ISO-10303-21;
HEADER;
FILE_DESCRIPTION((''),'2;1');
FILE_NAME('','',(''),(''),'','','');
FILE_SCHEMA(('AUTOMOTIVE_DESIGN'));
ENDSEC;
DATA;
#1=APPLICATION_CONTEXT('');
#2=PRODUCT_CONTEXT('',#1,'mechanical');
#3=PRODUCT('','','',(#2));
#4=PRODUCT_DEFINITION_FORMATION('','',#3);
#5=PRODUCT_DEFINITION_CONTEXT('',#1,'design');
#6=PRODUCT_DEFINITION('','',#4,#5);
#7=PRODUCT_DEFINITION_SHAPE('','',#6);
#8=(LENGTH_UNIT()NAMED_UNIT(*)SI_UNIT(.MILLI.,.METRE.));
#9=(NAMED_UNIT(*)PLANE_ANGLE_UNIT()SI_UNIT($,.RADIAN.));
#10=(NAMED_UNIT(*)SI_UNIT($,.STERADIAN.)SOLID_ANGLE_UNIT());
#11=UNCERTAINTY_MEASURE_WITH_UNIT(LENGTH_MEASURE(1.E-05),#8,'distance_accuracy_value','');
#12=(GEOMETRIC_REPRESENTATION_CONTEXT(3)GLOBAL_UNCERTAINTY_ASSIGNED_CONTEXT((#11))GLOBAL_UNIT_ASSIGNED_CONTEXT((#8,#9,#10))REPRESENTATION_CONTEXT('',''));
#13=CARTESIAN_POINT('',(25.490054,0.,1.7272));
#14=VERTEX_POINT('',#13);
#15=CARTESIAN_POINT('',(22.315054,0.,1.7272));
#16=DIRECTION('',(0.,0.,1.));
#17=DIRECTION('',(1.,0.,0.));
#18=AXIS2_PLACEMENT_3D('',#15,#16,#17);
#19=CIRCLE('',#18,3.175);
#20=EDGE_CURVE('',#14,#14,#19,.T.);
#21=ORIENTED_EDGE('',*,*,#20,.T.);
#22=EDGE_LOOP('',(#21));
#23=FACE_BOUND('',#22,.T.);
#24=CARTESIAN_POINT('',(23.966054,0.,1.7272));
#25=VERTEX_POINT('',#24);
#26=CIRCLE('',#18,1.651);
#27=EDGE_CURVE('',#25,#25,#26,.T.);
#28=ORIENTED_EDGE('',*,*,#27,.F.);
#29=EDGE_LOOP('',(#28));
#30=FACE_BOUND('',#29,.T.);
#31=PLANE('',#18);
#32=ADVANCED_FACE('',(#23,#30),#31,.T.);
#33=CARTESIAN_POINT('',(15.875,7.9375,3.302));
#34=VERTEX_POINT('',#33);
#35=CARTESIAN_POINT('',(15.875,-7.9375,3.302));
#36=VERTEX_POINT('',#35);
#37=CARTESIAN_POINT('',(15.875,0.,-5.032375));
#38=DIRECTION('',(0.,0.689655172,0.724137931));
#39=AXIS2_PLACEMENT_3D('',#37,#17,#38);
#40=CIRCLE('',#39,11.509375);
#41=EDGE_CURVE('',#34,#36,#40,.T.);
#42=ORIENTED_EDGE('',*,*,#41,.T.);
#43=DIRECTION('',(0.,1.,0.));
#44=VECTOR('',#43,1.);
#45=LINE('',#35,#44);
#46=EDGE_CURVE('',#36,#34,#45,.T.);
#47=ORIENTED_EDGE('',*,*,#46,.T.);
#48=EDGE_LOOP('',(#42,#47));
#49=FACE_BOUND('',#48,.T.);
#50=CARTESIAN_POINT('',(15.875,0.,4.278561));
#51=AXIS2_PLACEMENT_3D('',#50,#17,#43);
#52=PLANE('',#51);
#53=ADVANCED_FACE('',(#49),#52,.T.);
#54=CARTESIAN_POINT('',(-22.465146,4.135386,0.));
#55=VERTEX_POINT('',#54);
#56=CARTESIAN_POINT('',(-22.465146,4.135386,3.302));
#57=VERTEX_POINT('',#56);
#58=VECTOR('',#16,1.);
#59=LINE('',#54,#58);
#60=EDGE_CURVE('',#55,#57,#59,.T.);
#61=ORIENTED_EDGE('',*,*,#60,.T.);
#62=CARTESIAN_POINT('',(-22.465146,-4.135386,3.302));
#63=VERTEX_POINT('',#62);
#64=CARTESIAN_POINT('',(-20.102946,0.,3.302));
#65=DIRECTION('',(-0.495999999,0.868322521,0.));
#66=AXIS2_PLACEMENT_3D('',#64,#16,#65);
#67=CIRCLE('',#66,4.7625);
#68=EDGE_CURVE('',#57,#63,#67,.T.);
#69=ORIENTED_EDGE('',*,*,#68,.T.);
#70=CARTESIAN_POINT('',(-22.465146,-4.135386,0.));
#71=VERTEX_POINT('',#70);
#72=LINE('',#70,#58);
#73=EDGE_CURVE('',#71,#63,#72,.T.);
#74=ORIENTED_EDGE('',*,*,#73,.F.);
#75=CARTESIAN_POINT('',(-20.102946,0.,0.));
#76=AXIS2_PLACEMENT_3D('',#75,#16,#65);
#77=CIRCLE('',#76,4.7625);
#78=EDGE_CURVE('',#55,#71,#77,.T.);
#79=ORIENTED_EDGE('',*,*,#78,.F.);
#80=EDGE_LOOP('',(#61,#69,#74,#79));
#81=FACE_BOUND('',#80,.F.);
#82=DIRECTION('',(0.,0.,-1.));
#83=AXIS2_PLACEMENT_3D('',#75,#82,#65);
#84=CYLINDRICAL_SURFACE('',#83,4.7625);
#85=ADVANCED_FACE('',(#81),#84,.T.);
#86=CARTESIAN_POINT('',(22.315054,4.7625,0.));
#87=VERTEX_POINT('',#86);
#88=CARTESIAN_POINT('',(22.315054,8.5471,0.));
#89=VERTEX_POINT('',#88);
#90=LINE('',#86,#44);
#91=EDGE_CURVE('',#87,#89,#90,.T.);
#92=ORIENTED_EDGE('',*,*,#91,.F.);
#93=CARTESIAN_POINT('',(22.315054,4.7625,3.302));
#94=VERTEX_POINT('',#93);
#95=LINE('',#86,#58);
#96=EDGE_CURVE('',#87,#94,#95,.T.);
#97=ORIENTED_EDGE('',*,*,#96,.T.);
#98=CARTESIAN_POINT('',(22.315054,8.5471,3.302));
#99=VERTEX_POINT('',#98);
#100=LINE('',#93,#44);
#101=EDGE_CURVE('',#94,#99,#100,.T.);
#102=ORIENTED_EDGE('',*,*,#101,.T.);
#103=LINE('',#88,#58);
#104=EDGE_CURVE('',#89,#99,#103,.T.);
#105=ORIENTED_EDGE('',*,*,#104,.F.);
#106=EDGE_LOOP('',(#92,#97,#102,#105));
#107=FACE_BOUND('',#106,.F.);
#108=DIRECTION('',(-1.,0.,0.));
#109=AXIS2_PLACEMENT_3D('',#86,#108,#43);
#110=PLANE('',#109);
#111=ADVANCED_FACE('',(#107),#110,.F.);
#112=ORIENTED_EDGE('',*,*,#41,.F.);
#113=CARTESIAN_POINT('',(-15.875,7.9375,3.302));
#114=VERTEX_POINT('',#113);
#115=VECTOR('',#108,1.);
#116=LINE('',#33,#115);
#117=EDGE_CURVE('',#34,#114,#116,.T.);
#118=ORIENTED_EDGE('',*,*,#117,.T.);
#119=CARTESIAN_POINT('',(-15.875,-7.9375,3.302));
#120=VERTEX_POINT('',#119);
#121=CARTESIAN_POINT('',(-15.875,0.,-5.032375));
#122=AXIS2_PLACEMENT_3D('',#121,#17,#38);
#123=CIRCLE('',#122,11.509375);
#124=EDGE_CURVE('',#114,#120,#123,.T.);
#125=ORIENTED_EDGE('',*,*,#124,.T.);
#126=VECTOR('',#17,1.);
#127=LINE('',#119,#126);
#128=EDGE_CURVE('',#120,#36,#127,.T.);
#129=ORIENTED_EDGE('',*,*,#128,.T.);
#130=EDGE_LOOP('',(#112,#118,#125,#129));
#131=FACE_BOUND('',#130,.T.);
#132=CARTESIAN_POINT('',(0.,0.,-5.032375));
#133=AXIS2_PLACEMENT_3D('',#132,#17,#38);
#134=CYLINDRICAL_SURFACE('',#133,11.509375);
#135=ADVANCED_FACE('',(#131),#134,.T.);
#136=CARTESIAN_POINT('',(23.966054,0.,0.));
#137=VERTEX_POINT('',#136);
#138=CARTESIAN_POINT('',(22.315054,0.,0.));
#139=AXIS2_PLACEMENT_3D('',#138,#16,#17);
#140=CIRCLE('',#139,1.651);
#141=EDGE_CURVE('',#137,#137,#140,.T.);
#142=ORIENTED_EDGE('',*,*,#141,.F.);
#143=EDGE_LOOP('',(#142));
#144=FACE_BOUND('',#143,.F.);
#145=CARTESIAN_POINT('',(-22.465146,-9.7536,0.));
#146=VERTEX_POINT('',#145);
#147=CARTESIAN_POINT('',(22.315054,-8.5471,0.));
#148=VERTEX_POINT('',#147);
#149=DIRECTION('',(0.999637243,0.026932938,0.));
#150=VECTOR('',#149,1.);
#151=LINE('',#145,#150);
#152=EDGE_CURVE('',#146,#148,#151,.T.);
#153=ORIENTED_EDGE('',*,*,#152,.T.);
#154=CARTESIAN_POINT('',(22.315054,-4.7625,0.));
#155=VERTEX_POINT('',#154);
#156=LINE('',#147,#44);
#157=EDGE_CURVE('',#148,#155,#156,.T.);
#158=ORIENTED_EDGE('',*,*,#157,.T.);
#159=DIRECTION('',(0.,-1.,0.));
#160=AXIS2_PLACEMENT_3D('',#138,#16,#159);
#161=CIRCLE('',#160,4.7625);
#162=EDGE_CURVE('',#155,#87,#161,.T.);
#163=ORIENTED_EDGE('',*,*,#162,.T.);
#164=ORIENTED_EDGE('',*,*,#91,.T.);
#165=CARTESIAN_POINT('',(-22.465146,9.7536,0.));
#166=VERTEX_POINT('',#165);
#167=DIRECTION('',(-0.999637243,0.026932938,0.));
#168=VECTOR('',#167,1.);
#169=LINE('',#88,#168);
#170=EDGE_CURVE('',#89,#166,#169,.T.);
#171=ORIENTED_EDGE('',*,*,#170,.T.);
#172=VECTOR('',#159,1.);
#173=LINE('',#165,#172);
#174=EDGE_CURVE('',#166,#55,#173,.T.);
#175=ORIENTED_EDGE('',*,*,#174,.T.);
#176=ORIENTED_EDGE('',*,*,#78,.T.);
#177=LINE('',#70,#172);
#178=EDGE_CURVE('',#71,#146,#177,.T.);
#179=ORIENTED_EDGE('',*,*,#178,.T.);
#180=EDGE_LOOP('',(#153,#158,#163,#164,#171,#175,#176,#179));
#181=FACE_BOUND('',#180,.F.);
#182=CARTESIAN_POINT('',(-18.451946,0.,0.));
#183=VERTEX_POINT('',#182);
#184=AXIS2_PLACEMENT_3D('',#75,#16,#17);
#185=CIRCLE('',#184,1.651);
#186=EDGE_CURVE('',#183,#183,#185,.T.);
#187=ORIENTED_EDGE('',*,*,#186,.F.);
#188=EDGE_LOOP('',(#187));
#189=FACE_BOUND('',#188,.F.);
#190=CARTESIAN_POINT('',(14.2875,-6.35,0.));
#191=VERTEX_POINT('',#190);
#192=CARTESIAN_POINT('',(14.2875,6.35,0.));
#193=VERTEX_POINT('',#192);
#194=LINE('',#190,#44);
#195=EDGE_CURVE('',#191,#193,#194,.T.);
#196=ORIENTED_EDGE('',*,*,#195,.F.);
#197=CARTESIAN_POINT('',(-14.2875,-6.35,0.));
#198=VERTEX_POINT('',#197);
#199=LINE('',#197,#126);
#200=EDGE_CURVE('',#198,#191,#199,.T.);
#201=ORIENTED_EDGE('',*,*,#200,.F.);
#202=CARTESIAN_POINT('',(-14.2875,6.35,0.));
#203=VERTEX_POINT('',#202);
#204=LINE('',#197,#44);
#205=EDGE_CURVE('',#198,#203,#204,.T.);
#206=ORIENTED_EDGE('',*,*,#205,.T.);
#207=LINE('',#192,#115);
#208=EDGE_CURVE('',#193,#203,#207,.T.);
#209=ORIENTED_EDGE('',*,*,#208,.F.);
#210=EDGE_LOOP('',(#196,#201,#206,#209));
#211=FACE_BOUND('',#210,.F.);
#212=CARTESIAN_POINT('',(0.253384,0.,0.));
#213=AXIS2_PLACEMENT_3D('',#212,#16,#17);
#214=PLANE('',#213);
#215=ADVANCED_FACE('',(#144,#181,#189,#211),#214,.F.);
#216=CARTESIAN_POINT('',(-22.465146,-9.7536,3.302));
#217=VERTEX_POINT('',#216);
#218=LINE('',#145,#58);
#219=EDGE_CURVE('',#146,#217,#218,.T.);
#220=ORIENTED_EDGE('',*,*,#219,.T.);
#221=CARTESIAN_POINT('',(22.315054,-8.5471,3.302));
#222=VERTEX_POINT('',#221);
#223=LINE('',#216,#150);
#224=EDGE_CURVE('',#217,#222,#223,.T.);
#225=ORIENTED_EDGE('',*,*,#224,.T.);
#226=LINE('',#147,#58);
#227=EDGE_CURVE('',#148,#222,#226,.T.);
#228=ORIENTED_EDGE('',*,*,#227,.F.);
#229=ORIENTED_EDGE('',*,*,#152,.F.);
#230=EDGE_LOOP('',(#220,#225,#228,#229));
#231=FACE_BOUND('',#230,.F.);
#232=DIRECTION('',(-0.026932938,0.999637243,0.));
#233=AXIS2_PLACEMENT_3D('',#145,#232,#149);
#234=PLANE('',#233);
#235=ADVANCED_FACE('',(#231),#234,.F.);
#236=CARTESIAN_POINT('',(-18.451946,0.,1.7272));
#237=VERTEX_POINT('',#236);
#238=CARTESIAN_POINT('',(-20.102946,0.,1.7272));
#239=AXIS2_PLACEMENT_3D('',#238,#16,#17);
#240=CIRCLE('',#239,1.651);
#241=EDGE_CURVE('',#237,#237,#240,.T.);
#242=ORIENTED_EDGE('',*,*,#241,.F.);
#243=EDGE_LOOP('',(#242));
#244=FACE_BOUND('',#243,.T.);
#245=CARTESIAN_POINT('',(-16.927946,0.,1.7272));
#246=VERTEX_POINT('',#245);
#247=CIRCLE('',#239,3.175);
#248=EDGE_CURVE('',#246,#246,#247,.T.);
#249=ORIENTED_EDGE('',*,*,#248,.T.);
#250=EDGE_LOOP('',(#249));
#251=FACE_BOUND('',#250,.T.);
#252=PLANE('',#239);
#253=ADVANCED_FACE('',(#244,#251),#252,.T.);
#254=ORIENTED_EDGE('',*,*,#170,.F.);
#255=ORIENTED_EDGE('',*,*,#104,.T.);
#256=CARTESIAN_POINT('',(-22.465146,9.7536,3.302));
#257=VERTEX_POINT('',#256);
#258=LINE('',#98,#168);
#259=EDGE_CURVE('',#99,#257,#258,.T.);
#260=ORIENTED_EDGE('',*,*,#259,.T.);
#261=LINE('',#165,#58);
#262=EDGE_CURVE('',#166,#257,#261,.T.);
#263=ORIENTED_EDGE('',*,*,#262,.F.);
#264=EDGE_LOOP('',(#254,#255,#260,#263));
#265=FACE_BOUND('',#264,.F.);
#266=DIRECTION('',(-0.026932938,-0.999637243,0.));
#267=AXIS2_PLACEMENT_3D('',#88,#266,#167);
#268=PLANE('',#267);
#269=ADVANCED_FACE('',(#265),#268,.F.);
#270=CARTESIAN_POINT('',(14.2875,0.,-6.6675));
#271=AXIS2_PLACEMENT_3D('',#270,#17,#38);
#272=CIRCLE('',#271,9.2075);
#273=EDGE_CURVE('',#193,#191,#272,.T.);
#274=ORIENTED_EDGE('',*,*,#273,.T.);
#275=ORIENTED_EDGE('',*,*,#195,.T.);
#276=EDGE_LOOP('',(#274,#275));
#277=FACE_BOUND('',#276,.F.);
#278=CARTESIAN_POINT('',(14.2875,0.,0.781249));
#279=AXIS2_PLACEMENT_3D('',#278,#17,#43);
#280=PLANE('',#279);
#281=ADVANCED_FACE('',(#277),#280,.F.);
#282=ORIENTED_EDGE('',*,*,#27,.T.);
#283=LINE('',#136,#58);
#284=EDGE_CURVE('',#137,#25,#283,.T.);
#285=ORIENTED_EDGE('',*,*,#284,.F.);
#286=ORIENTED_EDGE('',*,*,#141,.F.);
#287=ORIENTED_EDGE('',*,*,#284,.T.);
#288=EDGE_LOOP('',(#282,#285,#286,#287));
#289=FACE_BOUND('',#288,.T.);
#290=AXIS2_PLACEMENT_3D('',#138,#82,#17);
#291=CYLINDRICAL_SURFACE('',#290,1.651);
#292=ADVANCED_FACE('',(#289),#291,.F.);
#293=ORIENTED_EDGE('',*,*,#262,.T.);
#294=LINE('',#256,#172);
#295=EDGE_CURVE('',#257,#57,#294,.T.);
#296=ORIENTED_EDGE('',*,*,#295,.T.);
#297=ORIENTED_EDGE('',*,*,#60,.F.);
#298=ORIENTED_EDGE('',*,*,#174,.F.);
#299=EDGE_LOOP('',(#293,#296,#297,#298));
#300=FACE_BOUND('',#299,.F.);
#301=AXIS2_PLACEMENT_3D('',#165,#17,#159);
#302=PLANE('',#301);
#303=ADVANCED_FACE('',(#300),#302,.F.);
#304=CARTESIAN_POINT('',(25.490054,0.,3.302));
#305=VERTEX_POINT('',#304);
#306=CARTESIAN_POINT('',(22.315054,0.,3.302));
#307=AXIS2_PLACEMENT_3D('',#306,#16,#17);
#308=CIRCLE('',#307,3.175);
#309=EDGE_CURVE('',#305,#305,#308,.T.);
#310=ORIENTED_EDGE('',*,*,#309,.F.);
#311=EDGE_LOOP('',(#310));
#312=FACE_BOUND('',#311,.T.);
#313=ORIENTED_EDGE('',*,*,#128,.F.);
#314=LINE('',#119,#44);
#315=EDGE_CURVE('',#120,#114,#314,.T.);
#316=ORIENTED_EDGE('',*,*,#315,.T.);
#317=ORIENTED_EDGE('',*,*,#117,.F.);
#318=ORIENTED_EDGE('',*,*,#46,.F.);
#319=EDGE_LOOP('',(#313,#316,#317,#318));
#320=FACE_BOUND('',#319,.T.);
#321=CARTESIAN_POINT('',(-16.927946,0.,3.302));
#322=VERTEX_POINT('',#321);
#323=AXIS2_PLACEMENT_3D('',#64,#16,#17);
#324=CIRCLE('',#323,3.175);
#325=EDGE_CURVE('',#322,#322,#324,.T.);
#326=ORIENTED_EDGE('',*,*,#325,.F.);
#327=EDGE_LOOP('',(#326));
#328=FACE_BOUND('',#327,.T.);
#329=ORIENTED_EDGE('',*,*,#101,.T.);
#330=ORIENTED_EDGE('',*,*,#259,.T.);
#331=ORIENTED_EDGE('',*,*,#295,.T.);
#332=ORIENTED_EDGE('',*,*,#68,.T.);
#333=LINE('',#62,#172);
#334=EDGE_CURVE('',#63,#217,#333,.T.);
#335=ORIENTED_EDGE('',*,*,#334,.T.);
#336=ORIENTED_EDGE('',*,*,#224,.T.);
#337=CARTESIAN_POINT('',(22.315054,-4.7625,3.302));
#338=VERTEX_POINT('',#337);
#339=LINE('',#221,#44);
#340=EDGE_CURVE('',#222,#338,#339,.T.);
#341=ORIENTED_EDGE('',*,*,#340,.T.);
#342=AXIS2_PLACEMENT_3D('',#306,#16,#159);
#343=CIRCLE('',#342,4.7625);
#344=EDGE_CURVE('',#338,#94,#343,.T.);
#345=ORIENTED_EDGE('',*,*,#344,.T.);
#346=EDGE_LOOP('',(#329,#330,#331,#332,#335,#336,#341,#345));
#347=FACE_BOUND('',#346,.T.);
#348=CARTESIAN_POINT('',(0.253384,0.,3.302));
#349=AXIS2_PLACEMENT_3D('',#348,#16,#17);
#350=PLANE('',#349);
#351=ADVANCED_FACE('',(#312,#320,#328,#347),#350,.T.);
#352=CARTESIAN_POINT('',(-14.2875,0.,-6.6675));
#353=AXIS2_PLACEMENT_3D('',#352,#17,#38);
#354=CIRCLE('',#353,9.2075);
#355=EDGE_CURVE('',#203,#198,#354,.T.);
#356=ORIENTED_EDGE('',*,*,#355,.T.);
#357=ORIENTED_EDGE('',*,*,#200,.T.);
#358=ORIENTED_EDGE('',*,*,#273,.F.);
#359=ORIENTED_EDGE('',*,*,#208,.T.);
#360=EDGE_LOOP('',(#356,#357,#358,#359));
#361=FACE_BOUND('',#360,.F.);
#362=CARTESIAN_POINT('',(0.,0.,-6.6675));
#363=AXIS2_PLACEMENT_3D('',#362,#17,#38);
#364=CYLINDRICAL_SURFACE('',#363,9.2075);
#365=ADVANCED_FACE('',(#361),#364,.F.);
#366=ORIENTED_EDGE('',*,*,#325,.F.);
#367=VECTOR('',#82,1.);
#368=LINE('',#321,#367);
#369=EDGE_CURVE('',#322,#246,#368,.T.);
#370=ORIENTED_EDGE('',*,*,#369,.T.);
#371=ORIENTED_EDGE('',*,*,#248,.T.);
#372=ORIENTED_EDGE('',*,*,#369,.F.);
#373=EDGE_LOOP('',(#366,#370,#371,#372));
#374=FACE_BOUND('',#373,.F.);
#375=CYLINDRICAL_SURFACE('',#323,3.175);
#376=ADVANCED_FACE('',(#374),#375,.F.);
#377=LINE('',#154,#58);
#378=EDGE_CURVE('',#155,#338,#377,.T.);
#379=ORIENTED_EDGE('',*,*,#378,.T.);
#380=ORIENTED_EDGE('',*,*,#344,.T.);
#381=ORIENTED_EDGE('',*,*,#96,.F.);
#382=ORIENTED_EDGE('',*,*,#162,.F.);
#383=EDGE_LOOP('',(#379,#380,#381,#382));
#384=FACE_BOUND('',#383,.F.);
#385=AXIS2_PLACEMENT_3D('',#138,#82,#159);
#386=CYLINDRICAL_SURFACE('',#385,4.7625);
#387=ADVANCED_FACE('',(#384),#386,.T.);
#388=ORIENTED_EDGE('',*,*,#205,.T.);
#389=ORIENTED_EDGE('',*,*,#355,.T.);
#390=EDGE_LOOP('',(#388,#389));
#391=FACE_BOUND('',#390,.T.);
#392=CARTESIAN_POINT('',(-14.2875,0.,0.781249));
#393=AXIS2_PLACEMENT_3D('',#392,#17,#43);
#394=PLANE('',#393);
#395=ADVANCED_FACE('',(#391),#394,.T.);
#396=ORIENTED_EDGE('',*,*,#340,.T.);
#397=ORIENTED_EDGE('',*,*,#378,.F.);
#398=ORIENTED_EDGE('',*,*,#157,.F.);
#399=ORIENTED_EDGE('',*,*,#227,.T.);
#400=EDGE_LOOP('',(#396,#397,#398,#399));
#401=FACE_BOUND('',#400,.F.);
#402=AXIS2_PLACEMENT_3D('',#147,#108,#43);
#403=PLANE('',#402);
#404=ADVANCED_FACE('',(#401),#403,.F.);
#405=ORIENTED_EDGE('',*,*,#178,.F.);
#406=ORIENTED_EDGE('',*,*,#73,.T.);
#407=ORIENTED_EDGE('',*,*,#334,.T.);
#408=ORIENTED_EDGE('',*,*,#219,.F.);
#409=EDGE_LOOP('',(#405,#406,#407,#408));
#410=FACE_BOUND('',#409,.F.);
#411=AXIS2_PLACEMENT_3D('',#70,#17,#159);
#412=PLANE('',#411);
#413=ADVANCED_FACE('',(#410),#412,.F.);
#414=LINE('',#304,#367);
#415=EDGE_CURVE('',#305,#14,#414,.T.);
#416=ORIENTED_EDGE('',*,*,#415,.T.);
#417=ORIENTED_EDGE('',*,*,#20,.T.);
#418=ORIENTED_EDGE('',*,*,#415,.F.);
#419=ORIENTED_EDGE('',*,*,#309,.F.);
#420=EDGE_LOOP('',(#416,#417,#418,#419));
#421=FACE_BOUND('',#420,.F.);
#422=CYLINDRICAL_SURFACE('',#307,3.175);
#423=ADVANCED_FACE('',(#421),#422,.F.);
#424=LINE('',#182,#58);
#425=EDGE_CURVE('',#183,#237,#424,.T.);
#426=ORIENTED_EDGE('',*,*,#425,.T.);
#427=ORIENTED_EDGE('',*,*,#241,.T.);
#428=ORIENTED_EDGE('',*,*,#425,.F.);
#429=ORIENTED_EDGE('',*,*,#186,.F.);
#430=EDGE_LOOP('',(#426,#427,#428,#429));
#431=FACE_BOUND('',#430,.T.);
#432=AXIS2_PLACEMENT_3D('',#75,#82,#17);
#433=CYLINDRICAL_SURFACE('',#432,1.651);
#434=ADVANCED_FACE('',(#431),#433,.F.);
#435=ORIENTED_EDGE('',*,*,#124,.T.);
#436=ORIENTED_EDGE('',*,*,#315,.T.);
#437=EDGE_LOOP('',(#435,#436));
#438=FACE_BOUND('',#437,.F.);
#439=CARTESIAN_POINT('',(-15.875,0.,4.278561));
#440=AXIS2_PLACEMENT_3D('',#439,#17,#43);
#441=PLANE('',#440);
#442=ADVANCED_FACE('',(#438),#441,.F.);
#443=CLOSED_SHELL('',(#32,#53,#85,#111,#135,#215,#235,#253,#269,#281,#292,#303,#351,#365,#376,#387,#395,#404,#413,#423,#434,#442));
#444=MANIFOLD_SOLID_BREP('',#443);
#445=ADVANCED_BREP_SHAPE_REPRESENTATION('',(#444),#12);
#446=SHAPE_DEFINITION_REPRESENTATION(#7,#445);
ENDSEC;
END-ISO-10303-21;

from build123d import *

# Parameters (mm, degrees)
F0_R     = 1.651
F1_DEPTH = 3.302
F2_R     = 3.175
F2_R_2   = 1.651
F3_DEPTH = 1.5748
F5_DEPTH = 15.875
F7_DEPTH = 14.2875


with BuildPart() as f1:
    # F0 (on Top) → F1 (new body)
    with BuildSketch(Plane.XY):
        with BuildLine():
            ThreePointArc((22.315054, -4.7625), (27.077554, 0), (22.315054, 4.7625))
            Line((22.315054, 4.7625), (22.315054, 8.5471))
            Line((22.315054, 8.5471), (-22.465146, 9.7536))
            Line((-22.465146, 9.7536), (-22.465146, 4.135386))
            ThreePointArc((-22.465146, 4.135386), (-24.865446, 0), (-22.465146, -4.135386))
            Line((-22.465146, -4.135386), (-22.465146, -9.7536))
            Line((-22.465146, -9.7536), (22.315054, -8.5471))
            Line((22.315054, -8.5471), (22.315054, -4.7625))
        make_face()
        with Locations((-20.102946, 0)):
            Circle(F0_R, mode=Mode.SUBTRACT)
        with Locations((22.315054, 0)):
            Circle(F0_R, mode=Mode.SUBTRACT)
    extrude(amount=F1_DEPTH)

    # F2 (on face) → F3 (cut)
    with BuildSketch(Plane.XY.offset(3.302)):
        with Locations((-20.102946, 0)):
            Circle(F2_R)
        with Locations((-20.102946, 0)):
            Circle(F2_R_2, mode=Mode.SUBTRACT)
        with Locations((22.315054, 0)):
            Circle(F2_R)
        with Locations((22.315054, 0)):
            Circle(F2_R_2, mode=Mode.SUBTRACT)
    extrude(amount=-F3_DEPTH, mode=Mode.SUBTRACT)

    # F4 (on Right) → F5 (join, symmetric)
    with BuildSketch(Plane.YZ):
        with BuildLine():
            ThreePointArc((7.9375, 3.302), (0, 6.477), (-7.9375, 3.302))
            Line((-7.9375, 3.302), (7.9375, 3.302))
        make_face()
    extrude(amount=F5_DEPTH, both=True)

    # F6 (on Right) → F7 (cut, symmetric)
    with BuildSketch(Plane.YZ):
        with BuildLine():
            ThreePointArc((6.35, 0), (0, 2.54), (-6.35, 0))
            Line((-6.35, 0), (6.35, 0))
        make_face()
    extrude(amount=F7_DEPTH, both=True, mode=Mode.SUBTRACT)


solid = f1.part
